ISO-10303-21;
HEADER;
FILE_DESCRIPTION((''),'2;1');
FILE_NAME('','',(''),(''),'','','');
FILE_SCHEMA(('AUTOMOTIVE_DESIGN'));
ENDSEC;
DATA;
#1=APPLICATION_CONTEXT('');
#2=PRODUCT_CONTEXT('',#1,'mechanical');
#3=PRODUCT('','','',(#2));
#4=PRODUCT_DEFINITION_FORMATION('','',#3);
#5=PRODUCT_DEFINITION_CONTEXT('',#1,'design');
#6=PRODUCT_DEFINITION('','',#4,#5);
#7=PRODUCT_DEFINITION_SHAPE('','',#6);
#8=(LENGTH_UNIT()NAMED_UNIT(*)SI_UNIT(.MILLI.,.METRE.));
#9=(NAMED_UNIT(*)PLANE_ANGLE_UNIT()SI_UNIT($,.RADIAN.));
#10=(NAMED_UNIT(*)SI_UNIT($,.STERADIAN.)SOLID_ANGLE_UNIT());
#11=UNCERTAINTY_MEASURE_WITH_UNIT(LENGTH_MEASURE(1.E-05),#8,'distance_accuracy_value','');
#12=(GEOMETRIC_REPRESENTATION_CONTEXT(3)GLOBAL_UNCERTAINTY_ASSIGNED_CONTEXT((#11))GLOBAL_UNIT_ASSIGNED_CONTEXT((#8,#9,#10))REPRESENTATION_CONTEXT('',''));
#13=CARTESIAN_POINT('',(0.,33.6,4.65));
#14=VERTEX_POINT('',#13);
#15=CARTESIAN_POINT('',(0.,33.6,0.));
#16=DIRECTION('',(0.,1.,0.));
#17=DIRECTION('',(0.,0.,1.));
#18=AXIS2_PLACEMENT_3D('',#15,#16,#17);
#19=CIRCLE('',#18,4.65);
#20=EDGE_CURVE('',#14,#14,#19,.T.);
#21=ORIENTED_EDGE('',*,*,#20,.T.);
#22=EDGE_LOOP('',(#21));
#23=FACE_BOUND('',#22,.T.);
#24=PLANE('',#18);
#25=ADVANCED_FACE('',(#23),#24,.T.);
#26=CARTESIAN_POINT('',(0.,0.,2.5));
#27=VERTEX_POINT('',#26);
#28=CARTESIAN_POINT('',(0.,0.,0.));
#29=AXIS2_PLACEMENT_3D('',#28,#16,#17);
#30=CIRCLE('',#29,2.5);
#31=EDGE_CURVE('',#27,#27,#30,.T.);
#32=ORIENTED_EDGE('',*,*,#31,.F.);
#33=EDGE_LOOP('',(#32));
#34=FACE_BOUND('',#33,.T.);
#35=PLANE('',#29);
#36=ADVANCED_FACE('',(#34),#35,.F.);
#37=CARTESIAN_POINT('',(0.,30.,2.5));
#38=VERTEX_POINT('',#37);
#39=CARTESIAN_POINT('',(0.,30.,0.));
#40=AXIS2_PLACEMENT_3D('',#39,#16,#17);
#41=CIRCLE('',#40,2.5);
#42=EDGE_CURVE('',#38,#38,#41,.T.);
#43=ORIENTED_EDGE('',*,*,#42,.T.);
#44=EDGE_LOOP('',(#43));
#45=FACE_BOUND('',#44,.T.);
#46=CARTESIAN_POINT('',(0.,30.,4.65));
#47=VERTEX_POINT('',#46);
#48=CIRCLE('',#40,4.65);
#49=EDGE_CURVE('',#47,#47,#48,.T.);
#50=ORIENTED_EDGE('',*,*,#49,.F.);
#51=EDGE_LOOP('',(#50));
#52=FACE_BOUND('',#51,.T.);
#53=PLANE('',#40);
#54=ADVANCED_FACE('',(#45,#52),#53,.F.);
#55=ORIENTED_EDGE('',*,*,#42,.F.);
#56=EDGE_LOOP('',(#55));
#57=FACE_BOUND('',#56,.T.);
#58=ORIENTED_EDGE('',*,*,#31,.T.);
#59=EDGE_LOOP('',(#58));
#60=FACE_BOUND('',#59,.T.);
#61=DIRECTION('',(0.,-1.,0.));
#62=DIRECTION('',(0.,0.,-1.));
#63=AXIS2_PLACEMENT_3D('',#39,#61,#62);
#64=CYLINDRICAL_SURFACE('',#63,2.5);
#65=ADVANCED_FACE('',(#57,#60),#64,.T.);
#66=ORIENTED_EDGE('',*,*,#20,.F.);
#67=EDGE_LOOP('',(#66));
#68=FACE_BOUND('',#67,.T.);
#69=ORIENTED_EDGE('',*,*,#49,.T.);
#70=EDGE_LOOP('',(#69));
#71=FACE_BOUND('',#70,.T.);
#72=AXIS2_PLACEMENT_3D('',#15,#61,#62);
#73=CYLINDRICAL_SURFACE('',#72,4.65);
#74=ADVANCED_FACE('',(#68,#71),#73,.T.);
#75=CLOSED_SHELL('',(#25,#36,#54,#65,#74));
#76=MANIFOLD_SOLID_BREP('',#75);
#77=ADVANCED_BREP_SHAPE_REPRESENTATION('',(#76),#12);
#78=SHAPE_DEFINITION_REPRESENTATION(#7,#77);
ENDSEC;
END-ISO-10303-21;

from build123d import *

# Parameters (mm, degrees)
SKETCH_1_R      = 2.5
EXTRUDE_1_DEPTH = 30
SKETCH_2_R      = 4.65
EXTRUDE_2_DEPTH = 3.6


with BuildPart() as part:
    # 草图1 → 凸台-拉伸1 (new body)
    with BuildSketch(Plane(origin=(0, 0, 0), x_dir=(1, 0, 0), z_dir=(0, 1, 0))):
        with Locations(Location((0, 0, 0), (0, 0, 270))):
            Circle(SKETCH_1_R)
    extrude(amount=EXTRUDE_1_DEPTH)

    # 草图2 → 凸台-拉伸2 (add)
    with BuildSketch(Plane(origin=(0, 30, 0), x_dir=(1, 0, 0), z_dir=(0, 1, 0))):
        with Locations(Location((0, 0, 0), (0, 0, 270))):
            Circle(SKETCH_2_R)
    extrude(amount=EXTRUDE_2_DEPTH)


solid = part.part
